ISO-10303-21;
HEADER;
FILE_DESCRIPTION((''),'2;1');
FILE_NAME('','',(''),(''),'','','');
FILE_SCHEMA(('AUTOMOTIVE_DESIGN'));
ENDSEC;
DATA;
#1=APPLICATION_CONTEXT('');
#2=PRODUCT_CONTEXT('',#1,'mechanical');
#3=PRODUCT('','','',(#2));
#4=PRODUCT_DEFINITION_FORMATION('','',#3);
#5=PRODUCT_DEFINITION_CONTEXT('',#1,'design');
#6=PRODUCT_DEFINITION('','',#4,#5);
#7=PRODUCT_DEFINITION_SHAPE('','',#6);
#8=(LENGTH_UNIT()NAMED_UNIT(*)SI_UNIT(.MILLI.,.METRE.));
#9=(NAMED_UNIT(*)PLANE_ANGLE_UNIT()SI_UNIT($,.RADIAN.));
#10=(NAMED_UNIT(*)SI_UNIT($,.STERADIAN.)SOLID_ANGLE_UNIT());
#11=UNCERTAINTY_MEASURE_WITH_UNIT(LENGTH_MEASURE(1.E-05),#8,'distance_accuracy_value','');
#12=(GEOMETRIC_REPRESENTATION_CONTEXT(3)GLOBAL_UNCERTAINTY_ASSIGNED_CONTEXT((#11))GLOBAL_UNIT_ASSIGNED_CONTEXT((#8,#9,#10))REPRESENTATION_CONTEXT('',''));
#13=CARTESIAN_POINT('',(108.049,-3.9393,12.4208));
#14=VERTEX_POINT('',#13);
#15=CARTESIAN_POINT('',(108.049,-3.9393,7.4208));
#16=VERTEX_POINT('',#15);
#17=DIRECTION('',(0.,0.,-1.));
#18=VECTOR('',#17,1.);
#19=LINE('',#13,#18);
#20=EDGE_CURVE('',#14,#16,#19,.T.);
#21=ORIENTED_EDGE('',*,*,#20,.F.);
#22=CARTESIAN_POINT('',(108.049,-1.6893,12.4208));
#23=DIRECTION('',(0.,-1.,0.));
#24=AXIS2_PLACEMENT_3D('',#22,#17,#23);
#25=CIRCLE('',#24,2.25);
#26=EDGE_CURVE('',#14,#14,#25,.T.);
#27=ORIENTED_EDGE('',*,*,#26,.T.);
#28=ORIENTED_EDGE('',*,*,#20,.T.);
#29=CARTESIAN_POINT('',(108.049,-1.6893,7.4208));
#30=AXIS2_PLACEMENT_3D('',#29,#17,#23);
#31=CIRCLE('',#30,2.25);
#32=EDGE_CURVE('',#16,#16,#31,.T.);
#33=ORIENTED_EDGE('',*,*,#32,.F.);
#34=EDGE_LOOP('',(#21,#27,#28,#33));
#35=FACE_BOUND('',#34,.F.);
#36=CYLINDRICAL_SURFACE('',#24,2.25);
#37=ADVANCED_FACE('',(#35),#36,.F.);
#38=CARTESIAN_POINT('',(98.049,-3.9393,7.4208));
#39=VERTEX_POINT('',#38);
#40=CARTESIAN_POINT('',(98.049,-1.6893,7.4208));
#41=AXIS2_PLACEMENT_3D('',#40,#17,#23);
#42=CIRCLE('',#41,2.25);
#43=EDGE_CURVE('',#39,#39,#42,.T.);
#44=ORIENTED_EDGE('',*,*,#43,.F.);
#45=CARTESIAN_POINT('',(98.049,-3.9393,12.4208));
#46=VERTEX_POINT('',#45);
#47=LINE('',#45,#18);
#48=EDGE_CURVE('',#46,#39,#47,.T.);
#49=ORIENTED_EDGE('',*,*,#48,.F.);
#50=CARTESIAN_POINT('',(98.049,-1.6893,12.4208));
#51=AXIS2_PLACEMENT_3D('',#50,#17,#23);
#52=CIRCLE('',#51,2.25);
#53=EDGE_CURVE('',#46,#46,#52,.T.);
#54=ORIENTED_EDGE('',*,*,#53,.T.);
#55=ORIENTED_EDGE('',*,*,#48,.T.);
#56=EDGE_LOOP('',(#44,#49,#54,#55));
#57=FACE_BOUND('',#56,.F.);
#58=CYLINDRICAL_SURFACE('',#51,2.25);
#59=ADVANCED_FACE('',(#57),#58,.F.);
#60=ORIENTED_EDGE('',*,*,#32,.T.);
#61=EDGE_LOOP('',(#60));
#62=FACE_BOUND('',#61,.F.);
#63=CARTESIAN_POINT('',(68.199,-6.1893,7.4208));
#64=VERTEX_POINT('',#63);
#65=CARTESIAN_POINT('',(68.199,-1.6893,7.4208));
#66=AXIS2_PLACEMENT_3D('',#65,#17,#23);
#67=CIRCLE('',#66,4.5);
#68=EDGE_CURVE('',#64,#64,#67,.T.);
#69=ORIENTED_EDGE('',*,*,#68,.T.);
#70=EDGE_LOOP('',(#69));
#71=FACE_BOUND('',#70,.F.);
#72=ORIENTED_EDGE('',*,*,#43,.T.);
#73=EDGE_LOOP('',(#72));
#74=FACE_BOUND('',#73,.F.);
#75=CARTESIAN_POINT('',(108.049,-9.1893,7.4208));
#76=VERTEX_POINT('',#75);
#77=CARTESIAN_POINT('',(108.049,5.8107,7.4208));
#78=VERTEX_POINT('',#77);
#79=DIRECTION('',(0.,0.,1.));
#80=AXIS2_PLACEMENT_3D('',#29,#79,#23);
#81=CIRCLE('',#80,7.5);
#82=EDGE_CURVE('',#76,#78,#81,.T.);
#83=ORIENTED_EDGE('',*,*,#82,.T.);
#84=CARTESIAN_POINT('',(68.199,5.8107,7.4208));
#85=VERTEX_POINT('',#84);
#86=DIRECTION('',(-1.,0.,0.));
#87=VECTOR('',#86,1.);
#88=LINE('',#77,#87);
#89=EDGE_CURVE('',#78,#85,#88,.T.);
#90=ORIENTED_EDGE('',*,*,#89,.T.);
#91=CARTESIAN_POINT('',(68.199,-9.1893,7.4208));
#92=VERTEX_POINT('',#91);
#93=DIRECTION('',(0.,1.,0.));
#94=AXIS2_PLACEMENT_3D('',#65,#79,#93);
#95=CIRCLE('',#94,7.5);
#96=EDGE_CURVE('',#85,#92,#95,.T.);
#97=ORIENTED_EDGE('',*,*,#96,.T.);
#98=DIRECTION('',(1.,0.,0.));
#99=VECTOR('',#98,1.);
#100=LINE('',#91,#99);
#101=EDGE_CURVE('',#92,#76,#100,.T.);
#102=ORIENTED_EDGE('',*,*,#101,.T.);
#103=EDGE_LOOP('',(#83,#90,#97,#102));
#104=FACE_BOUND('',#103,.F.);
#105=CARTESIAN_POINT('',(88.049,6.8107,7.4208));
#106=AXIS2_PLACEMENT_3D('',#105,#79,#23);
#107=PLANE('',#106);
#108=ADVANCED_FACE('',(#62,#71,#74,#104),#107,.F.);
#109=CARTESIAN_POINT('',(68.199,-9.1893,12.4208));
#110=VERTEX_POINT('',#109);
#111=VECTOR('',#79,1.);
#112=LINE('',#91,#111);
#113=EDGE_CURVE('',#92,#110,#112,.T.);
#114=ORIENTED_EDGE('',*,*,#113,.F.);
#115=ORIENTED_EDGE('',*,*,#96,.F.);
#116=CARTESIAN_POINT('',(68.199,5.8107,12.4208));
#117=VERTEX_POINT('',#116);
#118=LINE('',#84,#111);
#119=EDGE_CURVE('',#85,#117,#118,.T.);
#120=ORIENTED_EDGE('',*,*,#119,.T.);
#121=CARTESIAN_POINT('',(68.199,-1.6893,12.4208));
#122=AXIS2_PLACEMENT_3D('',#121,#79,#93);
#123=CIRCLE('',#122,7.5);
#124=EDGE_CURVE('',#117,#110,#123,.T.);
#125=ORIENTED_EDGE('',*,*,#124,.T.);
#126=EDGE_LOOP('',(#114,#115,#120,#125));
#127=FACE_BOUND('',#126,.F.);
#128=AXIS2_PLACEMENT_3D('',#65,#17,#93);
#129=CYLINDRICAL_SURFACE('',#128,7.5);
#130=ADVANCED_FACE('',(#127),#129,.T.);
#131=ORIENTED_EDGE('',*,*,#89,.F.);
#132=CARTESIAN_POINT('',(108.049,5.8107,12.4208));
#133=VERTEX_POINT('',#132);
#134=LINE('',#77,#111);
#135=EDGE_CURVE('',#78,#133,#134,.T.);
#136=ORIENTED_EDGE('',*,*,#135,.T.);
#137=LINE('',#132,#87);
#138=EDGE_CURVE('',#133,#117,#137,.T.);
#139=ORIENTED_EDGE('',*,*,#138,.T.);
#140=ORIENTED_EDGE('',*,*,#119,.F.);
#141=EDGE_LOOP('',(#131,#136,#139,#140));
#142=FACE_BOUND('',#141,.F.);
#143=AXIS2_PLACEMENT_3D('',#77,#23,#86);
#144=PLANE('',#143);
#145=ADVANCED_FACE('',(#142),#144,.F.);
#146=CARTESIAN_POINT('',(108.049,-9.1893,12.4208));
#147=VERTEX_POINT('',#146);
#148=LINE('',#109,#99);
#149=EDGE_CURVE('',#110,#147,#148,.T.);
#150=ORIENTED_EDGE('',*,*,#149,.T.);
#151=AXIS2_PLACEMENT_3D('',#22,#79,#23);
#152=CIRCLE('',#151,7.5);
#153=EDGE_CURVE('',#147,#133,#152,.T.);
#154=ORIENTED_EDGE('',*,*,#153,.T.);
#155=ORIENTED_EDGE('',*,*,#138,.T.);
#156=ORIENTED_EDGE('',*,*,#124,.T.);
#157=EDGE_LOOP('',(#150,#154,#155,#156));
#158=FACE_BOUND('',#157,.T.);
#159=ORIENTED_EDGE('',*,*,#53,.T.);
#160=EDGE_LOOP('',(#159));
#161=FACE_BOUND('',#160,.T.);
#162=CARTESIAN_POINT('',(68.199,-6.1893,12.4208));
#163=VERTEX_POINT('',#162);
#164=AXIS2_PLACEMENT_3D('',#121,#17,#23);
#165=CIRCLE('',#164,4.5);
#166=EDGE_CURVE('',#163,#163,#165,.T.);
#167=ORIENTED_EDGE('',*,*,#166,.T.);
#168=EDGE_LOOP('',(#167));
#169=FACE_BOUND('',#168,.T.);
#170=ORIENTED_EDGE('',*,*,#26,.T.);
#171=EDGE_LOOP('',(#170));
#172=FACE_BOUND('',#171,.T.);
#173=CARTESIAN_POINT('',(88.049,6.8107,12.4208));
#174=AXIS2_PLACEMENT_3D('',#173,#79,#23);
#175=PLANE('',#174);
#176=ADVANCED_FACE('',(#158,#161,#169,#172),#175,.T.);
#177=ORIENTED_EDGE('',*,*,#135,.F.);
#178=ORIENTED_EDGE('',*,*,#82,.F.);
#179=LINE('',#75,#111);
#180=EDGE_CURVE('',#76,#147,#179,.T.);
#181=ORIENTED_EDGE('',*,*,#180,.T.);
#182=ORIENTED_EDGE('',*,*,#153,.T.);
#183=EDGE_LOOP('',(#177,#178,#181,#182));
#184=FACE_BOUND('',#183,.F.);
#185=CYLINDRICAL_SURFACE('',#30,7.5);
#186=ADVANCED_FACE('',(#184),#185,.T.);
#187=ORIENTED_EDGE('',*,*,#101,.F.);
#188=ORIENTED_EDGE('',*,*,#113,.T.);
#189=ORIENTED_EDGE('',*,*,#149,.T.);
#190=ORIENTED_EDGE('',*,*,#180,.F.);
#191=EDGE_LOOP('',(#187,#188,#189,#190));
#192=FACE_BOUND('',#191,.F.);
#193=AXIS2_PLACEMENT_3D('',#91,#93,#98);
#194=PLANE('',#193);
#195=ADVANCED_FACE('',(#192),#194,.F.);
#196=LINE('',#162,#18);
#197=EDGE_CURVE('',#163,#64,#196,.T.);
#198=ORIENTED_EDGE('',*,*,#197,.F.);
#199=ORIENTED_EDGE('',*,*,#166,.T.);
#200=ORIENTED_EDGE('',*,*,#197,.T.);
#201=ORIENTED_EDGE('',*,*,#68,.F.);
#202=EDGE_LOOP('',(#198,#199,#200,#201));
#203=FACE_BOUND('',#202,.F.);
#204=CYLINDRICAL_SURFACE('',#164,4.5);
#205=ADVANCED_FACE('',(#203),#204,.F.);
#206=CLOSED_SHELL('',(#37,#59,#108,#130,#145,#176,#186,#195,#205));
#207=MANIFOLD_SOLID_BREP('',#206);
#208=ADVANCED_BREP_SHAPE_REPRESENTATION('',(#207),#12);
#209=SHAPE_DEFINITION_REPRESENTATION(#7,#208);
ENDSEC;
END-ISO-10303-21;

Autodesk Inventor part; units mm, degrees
ref_plane "YZ Plane" through (0, 0, 0) normal (1, 0, 0) x (0, 1, 0)
ref_plane "XZ Plane" through (0, 0, 0) normal (0, 1, 0) x (-1, 0, 0)
ref_plane "XY Plane" through (0, 0, 0) normal (0, 0, 1) x (1, 0, 0)
ref_plane "Work Plane1" through (88.049, 6.8107, 7.4208) normal (0, 0, 1) x (0, -1, 0)
sketch "Sketch1" plane through (88.049, 6.8107, 7.4208) normal (0, 0, 1) x (0, -1, 0)
  circle A0 centre (8.5, 0) radius 2.55 construction
  line L0 (38.25, 32.75) -> (-21.25, 32.75) projected
  circle A1 centre (8.5, -19.85) radius 4 construction
  line L1 (8.5, -19.85) -> (8.5, 20) construction
  line L2 (16, -19.85) -> (16, 20)
  line L3 (1, 20) -> (1, -19.85)
  arc A2 (1, -19.85) -> (16, -19.85) centre (8.5, -19.85) ccw
  arc A3 (16, 20) -> (1, 20) centre (8.5, 20) ccw
  point P0 (6.8107, -88.049)
  point P1 (8.5, 0.075)
  dimension "d0" = 15
  dimension "d20" = 20
extrude "Extrusion1" add sketch "Sketch1" along normal blind 5
sketch "Sketch2" plane through (88.049, 6.8107, 12.4208) normal (0, 0, 1) x (1, 0, 0)
  circle A0 centre (-19.85, -8.5) radius 4 construction
  circle A1 centre (0, -8.5) radius 2.55 construction
  line L0 (0, -8.5) -> (22.0742, -8.5) construction
  point P0 (-88.049, -6.8107)
  point P1 (10, -8.5)
  point P2 (20, -8.5)
  dimension "d4" = 10
  dimension "d5" = 10
hole "Hole1" at (98.049, -1.6893, 12.4208) at (108.049, -1.6893, 12.4208) direction (0, 0, -1) diameter 4.5 depth 6 clearance for "Countersunk Flat Head Screw DIN EN ISO 2009" size "M4" standard "DIN"
sketch "Sketch3" plane through (88.049, 6.8107, 12.4208) normal (0, 0, 1) x (1, 0, 0)
  point P0 (-88.049, -6.8107)
  point P1 (-19.85, -8.5)
hole "Hole2" at (68.199, -1.6893, 12.4208) direction (0, 0, -1) diameter 9 depth 6 clearance for "Slotted Cheese Head Screw DIN 84" size "M8" standard "DIN"
properties part number "GantryAxisHolder"
